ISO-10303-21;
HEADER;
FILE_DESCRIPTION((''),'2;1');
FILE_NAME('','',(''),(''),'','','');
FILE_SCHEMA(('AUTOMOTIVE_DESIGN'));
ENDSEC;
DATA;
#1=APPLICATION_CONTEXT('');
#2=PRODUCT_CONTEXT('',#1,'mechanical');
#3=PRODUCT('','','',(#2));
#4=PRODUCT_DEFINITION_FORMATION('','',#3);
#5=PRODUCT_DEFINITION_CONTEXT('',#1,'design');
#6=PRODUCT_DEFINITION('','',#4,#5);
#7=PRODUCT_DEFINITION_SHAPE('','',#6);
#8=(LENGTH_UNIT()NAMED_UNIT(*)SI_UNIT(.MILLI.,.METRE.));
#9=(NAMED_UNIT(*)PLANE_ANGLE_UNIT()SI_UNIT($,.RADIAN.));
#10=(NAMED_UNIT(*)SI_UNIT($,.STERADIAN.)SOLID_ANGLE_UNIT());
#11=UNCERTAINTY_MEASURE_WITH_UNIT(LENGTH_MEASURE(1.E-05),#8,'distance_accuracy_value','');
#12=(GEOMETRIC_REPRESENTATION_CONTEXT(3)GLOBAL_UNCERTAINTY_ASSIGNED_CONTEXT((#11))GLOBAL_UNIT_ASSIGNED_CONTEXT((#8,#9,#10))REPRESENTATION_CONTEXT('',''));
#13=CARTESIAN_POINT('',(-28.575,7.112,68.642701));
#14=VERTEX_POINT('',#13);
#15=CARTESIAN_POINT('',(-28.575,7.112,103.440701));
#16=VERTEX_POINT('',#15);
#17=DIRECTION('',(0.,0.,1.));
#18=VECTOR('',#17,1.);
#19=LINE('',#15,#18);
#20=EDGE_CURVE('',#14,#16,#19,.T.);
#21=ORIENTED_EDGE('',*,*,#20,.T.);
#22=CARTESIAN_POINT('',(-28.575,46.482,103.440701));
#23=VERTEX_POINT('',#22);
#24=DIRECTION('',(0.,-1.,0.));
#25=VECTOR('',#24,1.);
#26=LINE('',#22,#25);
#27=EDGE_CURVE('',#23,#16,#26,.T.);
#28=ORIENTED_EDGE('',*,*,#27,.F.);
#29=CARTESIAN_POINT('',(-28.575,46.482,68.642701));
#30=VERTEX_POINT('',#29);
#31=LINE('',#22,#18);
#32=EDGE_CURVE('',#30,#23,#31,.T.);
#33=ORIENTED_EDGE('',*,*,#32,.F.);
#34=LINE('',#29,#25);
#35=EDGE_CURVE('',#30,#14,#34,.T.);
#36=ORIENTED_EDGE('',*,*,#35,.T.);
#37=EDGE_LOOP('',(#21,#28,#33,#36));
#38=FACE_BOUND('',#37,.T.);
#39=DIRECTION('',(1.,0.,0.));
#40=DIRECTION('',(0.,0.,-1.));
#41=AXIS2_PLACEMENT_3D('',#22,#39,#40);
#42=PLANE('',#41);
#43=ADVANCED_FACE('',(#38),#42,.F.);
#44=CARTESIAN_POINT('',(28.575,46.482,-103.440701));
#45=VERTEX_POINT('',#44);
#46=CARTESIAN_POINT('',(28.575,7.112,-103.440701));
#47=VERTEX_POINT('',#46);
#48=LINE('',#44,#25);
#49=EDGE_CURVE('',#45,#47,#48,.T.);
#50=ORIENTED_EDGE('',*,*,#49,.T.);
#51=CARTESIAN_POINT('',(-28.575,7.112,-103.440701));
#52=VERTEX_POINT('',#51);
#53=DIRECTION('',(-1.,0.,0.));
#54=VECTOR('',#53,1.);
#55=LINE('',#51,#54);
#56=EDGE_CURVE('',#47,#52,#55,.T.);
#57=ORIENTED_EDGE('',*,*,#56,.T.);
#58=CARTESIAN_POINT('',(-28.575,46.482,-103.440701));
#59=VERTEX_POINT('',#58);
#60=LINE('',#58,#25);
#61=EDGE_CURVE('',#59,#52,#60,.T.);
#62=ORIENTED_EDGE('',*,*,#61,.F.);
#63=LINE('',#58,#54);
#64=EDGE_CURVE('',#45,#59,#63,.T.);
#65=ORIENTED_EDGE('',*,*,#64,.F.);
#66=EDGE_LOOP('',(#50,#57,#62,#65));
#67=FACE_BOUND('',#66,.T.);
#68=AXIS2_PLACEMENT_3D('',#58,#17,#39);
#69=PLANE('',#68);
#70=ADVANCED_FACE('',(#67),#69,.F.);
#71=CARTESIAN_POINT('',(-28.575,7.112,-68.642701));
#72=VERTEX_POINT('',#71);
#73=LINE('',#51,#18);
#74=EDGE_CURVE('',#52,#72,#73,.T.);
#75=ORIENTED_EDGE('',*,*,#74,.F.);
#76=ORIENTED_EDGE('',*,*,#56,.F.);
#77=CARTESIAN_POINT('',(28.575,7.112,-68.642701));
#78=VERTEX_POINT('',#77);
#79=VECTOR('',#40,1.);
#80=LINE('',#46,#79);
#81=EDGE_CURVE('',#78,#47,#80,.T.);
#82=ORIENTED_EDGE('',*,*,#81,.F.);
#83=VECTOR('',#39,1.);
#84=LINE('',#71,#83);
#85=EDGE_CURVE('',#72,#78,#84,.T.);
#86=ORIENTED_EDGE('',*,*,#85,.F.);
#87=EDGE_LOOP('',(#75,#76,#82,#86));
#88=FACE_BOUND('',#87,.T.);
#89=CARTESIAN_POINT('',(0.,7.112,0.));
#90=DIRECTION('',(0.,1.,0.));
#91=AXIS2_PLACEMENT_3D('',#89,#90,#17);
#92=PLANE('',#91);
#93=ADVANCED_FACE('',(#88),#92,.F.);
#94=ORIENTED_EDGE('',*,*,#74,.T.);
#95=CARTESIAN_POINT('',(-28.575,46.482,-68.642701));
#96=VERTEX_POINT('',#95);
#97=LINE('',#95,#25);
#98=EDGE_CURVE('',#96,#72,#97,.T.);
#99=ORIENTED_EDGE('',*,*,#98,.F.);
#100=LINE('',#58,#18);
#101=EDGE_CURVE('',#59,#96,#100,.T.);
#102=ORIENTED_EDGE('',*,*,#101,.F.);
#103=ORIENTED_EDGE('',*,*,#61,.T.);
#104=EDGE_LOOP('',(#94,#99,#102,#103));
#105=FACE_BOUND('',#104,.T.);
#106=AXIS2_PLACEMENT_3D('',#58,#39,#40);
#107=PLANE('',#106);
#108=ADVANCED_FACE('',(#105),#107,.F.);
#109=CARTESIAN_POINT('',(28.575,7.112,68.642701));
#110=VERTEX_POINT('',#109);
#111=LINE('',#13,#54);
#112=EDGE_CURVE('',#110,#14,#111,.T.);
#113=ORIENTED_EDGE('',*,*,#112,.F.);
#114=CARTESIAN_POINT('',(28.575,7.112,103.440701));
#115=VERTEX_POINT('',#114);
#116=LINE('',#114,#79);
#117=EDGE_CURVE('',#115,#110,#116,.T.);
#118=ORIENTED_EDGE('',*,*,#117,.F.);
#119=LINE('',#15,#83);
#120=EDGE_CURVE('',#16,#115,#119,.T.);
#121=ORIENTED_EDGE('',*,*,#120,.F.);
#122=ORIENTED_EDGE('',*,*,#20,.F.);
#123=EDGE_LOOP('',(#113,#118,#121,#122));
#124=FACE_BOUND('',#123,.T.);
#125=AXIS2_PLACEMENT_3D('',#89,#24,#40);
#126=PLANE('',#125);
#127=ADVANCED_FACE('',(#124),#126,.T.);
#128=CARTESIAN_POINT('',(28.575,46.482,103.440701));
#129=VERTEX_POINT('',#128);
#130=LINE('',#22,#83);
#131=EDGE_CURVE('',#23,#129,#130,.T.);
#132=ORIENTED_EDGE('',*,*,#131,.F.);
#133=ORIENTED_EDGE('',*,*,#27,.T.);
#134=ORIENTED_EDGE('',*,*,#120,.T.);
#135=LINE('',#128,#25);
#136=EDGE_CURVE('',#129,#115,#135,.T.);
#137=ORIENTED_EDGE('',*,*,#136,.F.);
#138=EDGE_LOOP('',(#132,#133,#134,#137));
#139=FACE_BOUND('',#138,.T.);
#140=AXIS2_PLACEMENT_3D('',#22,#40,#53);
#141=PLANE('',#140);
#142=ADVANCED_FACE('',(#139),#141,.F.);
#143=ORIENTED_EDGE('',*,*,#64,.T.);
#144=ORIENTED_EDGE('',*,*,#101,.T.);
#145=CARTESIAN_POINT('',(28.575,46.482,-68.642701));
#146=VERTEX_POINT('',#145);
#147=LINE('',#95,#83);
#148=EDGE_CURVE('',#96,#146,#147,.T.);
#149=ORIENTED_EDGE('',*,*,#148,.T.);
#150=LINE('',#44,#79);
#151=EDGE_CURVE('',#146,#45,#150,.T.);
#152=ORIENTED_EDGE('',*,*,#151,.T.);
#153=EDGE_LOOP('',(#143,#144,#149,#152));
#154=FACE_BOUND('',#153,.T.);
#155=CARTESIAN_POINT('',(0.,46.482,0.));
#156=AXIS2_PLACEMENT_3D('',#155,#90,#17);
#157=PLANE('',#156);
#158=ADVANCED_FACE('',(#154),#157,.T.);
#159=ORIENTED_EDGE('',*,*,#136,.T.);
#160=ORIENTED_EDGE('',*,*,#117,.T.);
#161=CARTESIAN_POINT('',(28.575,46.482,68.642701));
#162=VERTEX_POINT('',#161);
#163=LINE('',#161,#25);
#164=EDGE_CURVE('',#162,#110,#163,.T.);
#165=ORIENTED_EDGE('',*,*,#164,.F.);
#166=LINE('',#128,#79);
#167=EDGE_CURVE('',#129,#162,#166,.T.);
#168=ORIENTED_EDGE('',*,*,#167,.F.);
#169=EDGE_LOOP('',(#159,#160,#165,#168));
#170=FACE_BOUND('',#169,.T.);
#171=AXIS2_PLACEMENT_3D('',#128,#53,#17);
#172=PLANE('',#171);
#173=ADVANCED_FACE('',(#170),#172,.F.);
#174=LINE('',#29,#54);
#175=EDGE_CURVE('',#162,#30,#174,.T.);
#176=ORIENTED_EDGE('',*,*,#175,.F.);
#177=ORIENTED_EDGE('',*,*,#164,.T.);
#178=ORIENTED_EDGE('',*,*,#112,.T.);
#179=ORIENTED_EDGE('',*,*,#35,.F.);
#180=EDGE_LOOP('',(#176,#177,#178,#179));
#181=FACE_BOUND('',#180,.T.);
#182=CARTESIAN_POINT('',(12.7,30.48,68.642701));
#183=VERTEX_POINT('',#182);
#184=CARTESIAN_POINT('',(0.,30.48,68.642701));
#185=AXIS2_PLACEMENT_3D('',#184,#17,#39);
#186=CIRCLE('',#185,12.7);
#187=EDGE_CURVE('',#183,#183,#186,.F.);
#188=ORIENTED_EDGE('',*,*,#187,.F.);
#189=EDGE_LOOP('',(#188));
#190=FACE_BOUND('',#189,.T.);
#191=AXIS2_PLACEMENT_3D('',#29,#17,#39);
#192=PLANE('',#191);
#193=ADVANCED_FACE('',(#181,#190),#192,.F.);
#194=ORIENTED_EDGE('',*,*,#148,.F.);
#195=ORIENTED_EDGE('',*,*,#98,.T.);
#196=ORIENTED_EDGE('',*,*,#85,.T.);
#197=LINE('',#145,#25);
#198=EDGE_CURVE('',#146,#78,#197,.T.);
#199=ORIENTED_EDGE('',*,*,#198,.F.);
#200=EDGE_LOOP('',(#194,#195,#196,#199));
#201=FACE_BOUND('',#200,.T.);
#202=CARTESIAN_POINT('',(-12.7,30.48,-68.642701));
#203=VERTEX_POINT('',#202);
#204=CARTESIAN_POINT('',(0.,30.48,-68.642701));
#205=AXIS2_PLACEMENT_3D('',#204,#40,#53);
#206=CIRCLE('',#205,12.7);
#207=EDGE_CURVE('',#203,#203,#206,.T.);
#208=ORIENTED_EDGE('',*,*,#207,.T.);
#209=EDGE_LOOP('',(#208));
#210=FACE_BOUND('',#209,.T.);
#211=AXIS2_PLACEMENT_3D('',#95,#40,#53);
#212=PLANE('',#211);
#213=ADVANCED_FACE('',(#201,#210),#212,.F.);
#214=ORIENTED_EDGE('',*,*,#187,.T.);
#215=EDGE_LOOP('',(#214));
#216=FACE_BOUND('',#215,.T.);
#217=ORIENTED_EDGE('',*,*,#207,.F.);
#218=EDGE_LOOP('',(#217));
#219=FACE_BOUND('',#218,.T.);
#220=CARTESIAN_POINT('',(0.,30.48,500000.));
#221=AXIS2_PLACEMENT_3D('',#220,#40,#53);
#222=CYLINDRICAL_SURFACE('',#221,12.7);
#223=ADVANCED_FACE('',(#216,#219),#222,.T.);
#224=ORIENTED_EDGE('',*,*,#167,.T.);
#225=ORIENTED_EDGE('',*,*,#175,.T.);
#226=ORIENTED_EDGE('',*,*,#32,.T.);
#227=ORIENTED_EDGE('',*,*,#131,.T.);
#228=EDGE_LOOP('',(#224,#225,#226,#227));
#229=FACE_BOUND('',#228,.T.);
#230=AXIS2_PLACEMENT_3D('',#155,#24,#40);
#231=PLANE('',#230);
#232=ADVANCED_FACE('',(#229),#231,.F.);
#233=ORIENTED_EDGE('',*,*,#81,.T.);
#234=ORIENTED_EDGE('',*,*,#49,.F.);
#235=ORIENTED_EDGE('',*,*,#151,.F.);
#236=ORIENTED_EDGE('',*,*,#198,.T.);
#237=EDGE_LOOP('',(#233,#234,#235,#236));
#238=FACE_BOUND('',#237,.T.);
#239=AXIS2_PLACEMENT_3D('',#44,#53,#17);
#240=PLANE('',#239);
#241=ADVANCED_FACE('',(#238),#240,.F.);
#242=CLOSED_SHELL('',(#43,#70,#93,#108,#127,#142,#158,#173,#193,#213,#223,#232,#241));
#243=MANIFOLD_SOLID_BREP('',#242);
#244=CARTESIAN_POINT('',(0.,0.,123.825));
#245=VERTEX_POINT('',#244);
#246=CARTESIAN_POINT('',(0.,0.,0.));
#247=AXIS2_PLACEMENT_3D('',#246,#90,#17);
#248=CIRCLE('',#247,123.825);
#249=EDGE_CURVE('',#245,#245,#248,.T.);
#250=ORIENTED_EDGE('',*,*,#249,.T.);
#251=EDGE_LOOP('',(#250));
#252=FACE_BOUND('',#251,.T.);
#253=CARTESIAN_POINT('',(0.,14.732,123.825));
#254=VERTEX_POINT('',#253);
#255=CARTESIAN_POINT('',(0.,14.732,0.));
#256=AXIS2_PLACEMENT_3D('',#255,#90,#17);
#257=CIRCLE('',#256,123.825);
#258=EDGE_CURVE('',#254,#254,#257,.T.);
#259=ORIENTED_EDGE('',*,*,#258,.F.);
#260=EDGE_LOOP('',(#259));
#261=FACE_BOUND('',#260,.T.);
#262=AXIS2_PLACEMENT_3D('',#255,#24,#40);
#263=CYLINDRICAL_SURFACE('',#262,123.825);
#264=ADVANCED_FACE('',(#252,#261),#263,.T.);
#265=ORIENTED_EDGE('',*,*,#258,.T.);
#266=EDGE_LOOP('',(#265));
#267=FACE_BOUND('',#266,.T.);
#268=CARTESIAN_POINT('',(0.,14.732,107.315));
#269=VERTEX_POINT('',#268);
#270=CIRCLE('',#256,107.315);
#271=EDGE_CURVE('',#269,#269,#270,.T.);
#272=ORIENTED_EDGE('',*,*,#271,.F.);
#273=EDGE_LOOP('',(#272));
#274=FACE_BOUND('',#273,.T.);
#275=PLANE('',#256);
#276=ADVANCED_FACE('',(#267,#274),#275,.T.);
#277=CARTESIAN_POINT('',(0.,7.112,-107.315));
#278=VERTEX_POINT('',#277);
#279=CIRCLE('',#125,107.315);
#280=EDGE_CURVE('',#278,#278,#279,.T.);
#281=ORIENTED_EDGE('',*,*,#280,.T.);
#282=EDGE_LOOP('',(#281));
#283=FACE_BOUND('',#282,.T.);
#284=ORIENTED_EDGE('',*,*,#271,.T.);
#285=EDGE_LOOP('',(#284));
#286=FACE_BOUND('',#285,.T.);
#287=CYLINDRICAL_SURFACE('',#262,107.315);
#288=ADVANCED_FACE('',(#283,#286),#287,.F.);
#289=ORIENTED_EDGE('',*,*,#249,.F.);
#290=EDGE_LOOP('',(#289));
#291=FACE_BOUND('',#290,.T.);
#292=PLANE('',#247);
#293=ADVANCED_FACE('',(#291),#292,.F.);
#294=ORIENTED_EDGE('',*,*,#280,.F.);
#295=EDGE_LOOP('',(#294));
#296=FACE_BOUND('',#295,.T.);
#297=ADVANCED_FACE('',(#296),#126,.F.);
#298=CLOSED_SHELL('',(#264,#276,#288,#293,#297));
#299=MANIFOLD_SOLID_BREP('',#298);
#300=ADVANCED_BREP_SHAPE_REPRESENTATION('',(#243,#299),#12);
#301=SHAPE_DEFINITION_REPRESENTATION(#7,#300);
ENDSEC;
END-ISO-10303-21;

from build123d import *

# Parameters (mm, degrees)
SKETCH1_R             = 123.825
SKETCH1_R_2           = 107.315
BOSS_EXTRUDE1_DEPTH   = 14.732
SKETCH2_R             = 107.315
BOSS_EXTRUDE2_DEPTH   = 7.112
SKETCH3_W             = 57.15
SKETCH3_H             = 34.798
BOSS_EXTRUDE9_DEPTH   = 39.37
BOSS_EXTRUDE9_2_DEPTH = 39.37
SKETCH4_R             = 12.7
BOSS_EXTRUDE10_DEPTH  = 137.285402


with BuildPart() as part:
    # Sketch1 → Boss-Extrude1 (new body)
    with BuildSketch(Plane(origin=(0, 0, 0), x_dir=(1, 0, 0), z_dir=(0, 1, 0))):
        Circle(SKETCH1_R)
        Circle(SKETCH1_R_2, mode=Mode.SUBTRACT)
    extrude(amount=BOSS_EXTRUDE1_DEPTH)

    # Sketch2 → Boss-Extrude2 (add)
    with BuildSketch(Plane.XZ):
        Circle(SKETCH2_R)
    extrude(amount=-BOSS_EXTRUDE2_DEPTH)


with BuildPart() as body_2:
    # Sketch3 → Boss-Extrude9 (new body)
    with BuildSketch(Plane(origin=(0, 7.112, 0), x_dir=(1, 0, 0), z_dir=(0, 1, 0))):
        with Locations((0, -86.041700887)):
            Rectangle(SKETCH3_W, SKETCH3_H)
    extrude(amount=BOSS_EXTRUDE9_DEPTH)



with BuildPart() as body_3:
    # Sketch3 → Boss-Extrude9 2 (new body)
    with BuildSketch(Plane(origin=(0, 7.112, 0), x_dir=(1, 0, 0), z_dir=(0, 1, 0))):
        with Locations((0, 86.041700887)):
            Rectangle(SKETCH3_W, SKETCH3_H)
    extrude(amount=BOSS_EXTRUDE9_2_DEPTH)


with BuildPart() as body_2_1:
    add(body_2.part)

    add(body_3.part)  # Boss-Extrude10 merges body 3
    # Sketch4 → Boss-Extrude10 (add)
    with BuildSketch(Plane.XY.offset(-68.642700887)):
        with Locations((0, 30.48)):
            Circle(SKETCH4_R)
    extrude(amount=BOSS_EXTRUDE10_DEPTH)


solid = Compound([part.part, body_2_1.part])
